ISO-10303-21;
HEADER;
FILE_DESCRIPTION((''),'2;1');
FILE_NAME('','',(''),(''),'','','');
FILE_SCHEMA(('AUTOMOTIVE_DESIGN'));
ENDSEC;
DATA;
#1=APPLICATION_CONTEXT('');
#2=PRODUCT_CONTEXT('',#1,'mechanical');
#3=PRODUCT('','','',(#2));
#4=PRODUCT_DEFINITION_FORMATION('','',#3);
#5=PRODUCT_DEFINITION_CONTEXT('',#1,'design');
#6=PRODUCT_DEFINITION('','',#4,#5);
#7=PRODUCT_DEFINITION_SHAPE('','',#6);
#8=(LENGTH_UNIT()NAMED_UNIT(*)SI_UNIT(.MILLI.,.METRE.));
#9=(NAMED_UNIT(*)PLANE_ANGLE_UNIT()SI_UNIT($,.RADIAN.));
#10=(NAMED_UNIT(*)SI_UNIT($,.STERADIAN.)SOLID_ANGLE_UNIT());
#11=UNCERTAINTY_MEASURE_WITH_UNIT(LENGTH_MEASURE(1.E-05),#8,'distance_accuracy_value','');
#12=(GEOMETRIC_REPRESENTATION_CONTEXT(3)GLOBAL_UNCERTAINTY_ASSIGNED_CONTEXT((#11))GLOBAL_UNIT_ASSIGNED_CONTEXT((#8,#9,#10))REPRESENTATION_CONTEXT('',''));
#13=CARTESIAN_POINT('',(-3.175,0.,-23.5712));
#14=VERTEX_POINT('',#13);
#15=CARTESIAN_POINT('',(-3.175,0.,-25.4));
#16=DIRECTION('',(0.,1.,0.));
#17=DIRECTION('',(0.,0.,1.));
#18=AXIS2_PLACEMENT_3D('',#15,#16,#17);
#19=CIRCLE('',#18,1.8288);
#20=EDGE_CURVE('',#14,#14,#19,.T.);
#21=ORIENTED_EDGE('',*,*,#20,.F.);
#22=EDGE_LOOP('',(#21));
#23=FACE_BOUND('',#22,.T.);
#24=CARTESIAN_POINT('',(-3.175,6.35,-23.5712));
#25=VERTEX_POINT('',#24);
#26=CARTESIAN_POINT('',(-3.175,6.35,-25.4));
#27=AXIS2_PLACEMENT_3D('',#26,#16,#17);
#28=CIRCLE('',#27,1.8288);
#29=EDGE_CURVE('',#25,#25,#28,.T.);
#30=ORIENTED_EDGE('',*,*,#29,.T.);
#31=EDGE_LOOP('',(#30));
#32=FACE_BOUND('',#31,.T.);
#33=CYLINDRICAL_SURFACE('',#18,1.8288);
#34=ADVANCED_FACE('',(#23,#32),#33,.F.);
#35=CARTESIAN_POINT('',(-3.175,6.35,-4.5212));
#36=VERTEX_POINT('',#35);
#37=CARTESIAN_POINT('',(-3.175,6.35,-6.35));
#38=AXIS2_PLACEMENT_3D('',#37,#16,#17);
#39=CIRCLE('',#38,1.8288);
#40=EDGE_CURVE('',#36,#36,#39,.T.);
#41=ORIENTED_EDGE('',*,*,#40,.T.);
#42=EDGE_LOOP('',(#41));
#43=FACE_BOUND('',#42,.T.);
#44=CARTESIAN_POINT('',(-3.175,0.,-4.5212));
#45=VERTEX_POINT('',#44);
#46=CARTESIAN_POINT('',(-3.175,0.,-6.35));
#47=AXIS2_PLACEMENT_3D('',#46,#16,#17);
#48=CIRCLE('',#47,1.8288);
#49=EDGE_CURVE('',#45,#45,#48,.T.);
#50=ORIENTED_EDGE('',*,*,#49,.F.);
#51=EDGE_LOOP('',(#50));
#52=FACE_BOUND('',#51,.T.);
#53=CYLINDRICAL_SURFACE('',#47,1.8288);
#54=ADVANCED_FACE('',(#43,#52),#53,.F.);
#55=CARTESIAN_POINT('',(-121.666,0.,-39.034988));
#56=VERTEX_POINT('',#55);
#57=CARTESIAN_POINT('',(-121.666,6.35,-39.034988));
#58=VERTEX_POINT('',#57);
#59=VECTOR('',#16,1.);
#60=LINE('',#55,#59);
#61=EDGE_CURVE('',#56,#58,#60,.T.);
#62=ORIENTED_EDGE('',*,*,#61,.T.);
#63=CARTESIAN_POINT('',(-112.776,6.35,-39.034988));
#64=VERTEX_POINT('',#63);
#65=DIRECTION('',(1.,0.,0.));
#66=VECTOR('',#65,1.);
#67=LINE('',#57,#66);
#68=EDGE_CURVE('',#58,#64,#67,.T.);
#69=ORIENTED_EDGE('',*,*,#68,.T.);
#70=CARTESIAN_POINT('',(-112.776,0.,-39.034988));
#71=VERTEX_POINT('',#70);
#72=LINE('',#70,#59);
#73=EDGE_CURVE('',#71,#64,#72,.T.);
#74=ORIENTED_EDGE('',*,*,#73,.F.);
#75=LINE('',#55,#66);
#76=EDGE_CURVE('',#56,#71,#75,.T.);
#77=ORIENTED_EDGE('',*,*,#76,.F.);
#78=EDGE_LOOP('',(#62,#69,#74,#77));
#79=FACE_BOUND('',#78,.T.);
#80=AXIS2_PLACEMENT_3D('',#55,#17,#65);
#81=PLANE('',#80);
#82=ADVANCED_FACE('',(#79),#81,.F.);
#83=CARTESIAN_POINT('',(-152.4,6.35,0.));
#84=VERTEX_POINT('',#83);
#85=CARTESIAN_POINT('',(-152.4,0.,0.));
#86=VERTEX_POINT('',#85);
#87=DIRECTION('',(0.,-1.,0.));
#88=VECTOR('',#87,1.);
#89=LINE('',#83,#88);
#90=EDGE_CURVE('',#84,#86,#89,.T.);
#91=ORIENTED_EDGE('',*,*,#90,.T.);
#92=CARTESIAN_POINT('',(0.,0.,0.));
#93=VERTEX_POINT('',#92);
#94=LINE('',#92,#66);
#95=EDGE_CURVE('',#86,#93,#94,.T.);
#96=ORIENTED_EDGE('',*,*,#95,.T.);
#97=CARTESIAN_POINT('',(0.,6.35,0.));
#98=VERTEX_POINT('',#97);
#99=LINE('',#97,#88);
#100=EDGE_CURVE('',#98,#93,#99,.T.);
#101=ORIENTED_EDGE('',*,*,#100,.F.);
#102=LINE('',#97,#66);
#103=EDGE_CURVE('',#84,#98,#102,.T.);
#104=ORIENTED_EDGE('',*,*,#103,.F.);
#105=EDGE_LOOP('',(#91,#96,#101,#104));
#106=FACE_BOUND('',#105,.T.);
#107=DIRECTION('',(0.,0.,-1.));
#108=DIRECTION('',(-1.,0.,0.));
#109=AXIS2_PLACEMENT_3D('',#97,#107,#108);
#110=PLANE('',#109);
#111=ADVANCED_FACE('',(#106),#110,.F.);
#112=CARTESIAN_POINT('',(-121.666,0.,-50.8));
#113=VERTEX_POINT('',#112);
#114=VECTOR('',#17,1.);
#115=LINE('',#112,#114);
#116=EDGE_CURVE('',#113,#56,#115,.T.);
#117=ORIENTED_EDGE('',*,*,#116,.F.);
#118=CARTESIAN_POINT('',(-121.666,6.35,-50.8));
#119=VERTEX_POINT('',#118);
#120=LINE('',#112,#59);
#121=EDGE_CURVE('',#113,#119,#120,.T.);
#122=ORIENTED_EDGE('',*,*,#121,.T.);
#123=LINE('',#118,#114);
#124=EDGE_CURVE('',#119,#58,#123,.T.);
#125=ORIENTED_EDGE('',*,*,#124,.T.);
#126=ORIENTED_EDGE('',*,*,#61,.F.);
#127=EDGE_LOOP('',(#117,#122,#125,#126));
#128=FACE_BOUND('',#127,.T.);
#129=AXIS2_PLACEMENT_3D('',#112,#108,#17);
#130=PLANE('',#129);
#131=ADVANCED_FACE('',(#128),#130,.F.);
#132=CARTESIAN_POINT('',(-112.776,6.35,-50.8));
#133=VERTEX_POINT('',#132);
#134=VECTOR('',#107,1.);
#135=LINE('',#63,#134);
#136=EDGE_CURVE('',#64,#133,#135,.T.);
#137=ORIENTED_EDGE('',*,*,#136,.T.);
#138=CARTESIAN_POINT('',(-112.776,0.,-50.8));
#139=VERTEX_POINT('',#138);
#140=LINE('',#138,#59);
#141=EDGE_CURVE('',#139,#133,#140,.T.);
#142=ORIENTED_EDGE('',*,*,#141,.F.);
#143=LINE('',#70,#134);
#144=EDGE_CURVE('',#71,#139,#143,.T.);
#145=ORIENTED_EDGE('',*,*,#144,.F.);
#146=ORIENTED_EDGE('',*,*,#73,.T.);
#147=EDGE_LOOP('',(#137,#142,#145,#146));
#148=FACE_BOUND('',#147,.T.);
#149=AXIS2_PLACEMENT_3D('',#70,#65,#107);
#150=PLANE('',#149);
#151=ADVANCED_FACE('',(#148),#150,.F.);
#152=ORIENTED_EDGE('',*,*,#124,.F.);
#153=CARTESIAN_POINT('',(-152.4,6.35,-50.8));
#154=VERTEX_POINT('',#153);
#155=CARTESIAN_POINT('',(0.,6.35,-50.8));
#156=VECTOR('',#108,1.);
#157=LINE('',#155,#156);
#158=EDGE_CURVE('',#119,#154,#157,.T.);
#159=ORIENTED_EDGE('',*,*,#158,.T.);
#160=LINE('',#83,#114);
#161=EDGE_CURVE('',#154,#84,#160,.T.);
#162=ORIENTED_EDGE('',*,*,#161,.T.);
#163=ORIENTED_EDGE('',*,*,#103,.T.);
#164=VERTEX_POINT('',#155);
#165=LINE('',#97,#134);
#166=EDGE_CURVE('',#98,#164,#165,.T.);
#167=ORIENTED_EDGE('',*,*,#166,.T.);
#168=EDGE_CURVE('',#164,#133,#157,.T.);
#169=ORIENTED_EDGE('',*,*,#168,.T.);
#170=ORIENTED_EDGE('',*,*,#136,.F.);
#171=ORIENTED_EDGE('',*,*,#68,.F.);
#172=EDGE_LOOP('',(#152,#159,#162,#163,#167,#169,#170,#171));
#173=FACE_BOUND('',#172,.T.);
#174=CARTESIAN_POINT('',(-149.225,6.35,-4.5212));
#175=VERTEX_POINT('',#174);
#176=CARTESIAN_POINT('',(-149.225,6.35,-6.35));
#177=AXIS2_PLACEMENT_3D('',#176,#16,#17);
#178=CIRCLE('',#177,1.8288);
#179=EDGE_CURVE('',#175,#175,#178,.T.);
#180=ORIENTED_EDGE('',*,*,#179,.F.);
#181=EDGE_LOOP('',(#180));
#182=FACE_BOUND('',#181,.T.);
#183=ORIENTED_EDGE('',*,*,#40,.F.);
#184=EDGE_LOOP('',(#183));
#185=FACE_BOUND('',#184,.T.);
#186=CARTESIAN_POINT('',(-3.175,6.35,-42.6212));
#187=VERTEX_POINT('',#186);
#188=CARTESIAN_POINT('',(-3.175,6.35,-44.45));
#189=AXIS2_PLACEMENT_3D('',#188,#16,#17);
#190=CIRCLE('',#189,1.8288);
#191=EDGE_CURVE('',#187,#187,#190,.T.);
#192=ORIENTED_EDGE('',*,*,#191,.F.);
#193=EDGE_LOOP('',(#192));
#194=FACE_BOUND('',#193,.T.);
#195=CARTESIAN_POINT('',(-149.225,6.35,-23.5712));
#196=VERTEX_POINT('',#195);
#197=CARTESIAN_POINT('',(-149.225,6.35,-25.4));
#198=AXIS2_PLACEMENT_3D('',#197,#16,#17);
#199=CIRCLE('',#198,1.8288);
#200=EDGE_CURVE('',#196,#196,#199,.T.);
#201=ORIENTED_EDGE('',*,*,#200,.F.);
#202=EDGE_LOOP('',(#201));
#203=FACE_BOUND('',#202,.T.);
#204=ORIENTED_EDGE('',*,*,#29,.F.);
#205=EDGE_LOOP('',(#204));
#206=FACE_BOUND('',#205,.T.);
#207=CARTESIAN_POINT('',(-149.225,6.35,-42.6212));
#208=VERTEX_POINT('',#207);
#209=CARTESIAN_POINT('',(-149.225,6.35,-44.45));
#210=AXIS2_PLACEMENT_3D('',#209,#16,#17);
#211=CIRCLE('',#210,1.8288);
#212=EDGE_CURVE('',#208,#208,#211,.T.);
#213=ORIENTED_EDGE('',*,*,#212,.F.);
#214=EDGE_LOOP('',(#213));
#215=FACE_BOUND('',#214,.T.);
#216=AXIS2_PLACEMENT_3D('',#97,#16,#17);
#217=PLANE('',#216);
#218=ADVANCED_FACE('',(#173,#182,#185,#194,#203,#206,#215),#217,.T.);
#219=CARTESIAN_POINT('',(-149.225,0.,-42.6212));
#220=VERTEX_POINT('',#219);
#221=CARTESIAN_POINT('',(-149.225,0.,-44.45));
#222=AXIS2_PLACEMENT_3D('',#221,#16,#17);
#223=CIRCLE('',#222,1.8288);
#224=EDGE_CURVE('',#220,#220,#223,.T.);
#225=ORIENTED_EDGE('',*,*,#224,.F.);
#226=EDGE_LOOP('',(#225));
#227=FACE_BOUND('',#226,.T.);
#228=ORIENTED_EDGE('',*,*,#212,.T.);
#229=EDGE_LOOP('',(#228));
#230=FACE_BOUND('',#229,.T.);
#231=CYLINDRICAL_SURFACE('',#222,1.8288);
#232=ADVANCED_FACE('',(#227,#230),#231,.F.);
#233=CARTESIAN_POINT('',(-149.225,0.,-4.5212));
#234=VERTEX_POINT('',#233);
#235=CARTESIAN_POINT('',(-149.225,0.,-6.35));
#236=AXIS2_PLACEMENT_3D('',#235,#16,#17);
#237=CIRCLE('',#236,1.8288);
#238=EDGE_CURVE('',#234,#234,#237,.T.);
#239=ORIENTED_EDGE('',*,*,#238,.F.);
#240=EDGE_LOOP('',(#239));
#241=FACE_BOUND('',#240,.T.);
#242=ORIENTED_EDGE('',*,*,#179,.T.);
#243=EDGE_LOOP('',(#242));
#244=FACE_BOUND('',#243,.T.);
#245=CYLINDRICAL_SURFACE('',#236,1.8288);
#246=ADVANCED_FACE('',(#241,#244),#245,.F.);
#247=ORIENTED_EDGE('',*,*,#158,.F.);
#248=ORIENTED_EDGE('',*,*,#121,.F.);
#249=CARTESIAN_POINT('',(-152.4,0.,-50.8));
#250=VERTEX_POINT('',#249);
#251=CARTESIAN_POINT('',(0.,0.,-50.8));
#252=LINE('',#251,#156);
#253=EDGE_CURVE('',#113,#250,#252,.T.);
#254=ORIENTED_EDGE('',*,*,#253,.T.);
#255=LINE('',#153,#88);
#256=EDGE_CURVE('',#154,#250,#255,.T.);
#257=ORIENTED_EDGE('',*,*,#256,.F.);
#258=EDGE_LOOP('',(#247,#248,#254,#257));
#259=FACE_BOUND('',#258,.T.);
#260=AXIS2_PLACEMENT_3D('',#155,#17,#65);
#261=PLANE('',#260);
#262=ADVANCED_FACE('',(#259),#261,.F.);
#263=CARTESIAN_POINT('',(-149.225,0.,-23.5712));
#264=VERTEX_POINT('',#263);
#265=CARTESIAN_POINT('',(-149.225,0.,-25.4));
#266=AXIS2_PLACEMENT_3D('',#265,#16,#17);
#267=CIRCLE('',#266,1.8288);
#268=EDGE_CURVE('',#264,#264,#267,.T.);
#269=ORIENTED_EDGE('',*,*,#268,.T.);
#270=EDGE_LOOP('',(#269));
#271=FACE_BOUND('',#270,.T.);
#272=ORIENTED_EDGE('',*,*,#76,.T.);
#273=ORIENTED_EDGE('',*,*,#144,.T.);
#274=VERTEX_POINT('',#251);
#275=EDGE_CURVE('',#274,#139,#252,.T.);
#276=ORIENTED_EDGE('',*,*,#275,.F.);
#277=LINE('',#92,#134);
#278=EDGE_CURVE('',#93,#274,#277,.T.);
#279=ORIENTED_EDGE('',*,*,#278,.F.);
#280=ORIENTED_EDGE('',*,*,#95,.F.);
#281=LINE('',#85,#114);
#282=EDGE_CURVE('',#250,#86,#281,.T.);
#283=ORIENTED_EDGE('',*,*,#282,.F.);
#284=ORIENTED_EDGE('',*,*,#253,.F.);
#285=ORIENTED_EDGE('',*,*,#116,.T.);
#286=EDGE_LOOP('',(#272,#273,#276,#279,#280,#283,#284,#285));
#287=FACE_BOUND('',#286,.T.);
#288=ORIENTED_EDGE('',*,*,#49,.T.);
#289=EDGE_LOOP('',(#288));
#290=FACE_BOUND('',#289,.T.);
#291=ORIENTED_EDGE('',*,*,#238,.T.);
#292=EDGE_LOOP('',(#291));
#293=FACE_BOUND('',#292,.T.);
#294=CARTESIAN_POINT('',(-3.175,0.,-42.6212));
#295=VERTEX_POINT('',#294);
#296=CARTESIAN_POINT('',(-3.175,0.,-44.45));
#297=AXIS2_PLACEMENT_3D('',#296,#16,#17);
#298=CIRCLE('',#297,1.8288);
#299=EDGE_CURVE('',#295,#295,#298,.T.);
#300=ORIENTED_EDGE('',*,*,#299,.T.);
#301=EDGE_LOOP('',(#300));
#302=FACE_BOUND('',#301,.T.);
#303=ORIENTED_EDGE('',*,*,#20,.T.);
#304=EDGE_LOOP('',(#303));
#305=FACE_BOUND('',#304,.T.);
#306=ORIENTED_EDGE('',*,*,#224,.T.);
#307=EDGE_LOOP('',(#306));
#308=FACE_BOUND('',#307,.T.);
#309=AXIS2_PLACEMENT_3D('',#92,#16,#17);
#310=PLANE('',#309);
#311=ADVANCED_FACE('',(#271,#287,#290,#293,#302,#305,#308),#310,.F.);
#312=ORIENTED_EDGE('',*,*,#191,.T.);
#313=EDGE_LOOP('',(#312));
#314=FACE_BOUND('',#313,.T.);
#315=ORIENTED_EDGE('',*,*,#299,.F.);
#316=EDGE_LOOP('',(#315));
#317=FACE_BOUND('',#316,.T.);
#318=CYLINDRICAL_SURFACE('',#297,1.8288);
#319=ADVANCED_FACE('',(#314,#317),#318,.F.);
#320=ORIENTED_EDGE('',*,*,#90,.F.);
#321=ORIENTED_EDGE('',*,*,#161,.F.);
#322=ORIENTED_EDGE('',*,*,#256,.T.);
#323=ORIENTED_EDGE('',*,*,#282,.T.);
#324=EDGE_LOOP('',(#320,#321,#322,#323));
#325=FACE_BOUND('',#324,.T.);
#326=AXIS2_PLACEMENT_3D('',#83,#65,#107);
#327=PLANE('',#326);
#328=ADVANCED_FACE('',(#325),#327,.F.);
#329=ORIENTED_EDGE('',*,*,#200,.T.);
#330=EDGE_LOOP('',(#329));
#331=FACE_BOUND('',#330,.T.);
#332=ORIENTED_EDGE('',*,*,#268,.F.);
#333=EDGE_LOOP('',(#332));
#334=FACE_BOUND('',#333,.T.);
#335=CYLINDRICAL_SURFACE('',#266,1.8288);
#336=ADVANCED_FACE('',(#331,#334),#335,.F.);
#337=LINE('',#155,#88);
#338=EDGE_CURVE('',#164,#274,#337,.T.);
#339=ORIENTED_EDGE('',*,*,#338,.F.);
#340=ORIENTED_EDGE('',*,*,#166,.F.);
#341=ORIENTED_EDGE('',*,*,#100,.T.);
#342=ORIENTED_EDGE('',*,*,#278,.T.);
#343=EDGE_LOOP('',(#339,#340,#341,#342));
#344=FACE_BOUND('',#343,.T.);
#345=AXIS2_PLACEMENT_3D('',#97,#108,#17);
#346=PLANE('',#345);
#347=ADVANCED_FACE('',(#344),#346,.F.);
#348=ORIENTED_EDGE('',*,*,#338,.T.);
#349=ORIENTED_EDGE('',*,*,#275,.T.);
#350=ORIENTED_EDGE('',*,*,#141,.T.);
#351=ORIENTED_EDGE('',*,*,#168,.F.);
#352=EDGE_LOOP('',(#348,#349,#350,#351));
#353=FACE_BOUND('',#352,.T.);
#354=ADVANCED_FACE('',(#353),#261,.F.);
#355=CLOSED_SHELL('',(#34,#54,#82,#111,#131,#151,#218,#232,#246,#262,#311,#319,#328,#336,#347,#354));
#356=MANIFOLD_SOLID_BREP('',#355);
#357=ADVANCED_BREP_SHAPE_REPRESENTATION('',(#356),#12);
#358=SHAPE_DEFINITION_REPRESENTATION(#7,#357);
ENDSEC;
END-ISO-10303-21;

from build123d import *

# Parameters (mm, degrees)
SKETCH1_W           = 152.4
SKETCH1_H           = 50.8
BOSS_EXTRUDE1_DEPTH = 6.35
SKETCH2_R           = 1.8288
CUT_EXTRUDE1_DEPTH  = 6.35
SKETCH5_W           = 8.89
SKETCH5_H           = 11.765011578
CUT_EXTRUDE2_DEPTH  = 161.769159045


with BuildPart() as part:
    # Sketch1 → Boss-Extrude1 (new body)
    with BuildSketch(Plane(origin=(0, 0, 0), x_dir=(1, 0, 0), z_dir=(0, 1, 0))):
        with Locations((-76.2, 25.4)):
            Rectangle(SKETCH1_W, SKETCH1_H)
    extrude(amount=BOSS_EXTRUDE1_DEPTH)

    # Sketch2 → Cut-Extrude1 (cut)
    with BuildSketch(Plane(origin=(0, 6.35, 0), x_dir=(1, 0, 0), z_dir=(0, 1, 0))):
        with Locations(Location((-149.225, 44.45, 0), (0, 0, 270))):
            Circle(SKETCH2_R)
        with Locations(Location((-149.225, 25.4, 0), (0, 0, 270))):
            Circle(SKETCH2_R)
        with Locations(Location((-149.225, 6.35, 0), (0, 0, 270))):
            Circle(SKETCH2_R)
        with Locations(Location((-3.175, 25.4, 0), (0, 0, 270))):
            Circle(SKETCH2_R)
        with Locations(Location((-3.175, 44.45, 0), (0, 0, 270))):
            Circle(SKETCH2_R)
        with Locations(Location((-3.175, 6.35, 0), (0, 0, 270))):
            Circle(SKETCH2_R)
    extrude(amount=-CUT_EXTRUDE1_DEPTH, mode=Mode.SUBTRACT)

    # Sketch5 → Cut-Extrude2 (cut, through all)
    with BuildSketch(Plane(origin=(0, 6.35, 0), x_dir=(1, 0, 0), z_dir=(0, 1, 0))):
        with Locations((-117.221, 44.917494211)):
            Rectangle(SKETCH5_W, SKETCH5_H)
    extrude(amount=-CUT_EXTRUDE2_DEPTH, mode=Mode.SUBTRACT)


solid = part.part
